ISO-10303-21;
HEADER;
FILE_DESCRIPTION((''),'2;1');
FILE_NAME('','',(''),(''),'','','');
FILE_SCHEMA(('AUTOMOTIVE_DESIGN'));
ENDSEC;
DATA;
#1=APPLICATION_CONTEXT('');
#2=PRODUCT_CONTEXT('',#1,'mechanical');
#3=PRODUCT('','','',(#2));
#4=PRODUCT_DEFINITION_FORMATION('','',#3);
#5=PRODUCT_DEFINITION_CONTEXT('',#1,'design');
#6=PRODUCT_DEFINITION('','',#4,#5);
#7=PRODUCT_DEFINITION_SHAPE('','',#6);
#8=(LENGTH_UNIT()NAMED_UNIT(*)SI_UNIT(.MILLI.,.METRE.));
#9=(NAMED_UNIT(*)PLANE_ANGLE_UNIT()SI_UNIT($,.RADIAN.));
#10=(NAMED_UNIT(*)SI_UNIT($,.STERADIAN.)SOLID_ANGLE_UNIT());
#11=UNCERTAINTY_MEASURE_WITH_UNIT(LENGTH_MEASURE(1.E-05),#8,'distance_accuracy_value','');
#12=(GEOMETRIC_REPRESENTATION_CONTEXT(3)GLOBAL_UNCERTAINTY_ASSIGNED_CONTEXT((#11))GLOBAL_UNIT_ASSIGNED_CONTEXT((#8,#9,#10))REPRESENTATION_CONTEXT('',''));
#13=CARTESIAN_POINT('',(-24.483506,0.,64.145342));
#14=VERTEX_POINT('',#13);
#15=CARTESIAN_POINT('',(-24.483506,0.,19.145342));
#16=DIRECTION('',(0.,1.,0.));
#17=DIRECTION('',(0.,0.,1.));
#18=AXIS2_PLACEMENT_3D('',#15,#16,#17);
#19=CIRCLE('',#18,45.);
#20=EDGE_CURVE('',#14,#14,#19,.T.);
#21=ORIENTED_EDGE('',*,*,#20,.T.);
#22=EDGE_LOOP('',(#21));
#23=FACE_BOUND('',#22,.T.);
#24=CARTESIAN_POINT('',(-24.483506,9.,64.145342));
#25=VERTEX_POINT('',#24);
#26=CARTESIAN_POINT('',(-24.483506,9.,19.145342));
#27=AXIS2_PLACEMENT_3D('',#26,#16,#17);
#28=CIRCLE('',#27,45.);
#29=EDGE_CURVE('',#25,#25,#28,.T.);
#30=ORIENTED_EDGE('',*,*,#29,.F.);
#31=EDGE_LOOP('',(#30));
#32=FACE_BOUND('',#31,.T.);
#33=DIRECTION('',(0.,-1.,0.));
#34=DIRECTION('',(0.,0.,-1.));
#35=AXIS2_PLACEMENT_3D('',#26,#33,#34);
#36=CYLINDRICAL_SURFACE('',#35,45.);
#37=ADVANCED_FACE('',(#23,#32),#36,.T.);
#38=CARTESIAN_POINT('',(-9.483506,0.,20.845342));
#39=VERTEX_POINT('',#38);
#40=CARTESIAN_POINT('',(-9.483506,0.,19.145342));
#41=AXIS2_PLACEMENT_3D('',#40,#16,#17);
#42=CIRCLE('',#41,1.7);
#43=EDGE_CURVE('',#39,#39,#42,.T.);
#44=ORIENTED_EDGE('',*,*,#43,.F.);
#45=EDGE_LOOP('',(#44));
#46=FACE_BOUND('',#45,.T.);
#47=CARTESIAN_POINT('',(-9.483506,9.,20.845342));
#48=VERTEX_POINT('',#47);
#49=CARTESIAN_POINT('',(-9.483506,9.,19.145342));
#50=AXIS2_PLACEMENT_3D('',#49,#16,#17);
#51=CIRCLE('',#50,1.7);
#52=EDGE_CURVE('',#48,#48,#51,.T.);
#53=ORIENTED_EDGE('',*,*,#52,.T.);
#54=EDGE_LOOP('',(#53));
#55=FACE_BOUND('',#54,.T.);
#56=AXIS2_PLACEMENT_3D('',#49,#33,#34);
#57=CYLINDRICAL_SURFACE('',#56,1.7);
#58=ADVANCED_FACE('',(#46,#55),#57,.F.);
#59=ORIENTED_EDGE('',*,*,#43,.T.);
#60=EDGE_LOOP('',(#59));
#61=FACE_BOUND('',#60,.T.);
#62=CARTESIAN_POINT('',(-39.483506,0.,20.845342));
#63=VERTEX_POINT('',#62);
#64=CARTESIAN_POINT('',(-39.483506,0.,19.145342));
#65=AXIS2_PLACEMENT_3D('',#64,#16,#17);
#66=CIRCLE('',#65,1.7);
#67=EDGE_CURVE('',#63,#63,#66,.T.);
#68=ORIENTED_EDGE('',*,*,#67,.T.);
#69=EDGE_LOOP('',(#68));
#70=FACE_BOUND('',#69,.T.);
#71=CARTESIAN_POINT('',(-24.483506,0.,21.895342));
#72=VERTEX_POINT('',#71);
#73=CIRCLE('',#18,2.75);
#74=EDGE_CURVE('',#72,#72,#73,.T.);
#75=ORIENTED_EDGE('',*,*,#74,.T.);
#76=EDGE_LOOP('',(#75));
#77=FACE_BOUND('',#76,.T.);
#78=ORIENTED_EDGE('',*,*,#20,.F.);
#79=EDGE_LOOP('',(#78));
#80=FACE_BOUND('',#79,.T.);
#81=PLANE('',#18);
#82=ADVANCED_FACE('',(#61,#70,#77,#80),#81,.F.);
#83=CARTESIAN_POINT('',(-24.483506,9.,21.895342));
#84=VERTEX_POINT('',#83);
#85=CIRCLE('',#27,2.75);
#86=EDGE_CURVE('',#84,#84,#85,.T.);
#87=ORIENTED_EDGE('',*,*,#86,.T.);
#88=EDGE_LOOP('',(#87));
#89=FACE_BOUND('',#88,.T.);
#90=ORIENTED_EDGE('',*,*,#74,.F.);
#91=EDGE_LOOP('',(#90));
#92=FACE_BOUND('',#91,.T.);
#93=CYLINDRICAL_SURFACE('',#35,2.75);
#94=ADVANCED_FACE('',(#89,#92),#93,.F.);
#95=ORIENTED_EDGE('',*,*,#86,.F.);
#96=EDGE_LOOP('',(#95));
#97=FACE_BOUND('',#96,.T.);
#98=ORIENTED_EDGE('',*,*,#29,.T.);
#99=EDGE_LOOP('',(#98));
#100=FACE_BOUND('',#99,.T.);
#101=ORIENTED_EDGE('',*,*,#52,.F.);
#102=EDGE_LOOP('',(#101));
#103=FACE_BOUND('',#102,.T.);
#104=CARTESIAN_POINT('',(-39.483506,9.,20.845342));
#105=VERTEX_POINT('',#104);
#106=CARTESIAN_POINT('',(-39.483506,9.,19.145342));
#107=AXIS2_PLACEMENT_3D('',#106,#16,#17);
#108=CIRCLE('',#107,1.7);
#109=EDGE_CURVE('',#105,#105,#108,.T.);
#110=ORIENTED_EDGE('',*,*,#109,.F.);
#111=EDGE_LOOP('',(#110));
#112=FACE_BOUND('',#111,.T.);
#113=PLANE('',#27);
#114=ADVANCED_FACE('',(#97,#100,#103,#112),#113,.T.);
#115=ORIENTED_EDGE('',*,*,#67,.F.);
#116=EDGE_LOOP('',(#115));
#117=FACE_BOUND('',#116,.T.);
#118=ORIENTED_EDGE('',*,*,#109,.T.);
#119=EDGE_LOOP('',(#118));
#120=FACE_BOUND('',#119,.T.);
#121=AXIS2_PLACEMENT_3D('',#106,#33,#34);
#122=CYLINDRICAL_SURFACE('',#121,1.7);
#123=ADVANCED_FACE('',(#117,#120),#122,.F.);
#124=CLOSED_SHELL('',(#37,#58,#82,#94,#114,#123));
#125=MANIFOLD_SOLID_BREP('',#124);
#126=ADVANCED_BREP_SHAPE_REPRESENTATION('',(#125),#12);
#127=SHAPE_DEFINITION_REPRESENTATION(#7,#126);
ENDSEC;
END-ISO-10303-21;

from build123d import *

# Parameters (mm, degrees)
SKETCH1_R           = 45
SKETCH1_R_2         = 2.75
SKETCH1_R_3         = 1.7
BOSS_EXTRUDE1_DEPTH = 9


with BuildPart() as part:
    # Sketch1 → Boss-Extrude1 (new body)
    with BuildSketch(Plane(origin=(0, 0, 0), x_dir=(1, 0, 0), z_dir=(0, 1, 0))):
        with Locations(Location((-24.48350584, -19.145341983, 0), (0, 0, 270))):
            Circle(SKETCH1_R)
        with Locations(Location((-24.48350584, -19.145341983, 0), (0, 0, 270))):
            Circle(SKETCH1_R_2, mode=Mode.SUBTRACT)
        with Locations(Location((-39.48350584, -19.145341983, 0), (0, 0, 270))):
            Circle(SKETCH1_R_3, mode=Mode.SUBTRACT)
        with Locations(Location((-9.48350584, -19.145341983, 0), (0, 0, 270))):
            Circle(SKETCH1_R_3, mode=Mode.SUBTRACT)
    extrude(amount=BOSS_EXTRUDE1_DEPTH)


solid = part.part
